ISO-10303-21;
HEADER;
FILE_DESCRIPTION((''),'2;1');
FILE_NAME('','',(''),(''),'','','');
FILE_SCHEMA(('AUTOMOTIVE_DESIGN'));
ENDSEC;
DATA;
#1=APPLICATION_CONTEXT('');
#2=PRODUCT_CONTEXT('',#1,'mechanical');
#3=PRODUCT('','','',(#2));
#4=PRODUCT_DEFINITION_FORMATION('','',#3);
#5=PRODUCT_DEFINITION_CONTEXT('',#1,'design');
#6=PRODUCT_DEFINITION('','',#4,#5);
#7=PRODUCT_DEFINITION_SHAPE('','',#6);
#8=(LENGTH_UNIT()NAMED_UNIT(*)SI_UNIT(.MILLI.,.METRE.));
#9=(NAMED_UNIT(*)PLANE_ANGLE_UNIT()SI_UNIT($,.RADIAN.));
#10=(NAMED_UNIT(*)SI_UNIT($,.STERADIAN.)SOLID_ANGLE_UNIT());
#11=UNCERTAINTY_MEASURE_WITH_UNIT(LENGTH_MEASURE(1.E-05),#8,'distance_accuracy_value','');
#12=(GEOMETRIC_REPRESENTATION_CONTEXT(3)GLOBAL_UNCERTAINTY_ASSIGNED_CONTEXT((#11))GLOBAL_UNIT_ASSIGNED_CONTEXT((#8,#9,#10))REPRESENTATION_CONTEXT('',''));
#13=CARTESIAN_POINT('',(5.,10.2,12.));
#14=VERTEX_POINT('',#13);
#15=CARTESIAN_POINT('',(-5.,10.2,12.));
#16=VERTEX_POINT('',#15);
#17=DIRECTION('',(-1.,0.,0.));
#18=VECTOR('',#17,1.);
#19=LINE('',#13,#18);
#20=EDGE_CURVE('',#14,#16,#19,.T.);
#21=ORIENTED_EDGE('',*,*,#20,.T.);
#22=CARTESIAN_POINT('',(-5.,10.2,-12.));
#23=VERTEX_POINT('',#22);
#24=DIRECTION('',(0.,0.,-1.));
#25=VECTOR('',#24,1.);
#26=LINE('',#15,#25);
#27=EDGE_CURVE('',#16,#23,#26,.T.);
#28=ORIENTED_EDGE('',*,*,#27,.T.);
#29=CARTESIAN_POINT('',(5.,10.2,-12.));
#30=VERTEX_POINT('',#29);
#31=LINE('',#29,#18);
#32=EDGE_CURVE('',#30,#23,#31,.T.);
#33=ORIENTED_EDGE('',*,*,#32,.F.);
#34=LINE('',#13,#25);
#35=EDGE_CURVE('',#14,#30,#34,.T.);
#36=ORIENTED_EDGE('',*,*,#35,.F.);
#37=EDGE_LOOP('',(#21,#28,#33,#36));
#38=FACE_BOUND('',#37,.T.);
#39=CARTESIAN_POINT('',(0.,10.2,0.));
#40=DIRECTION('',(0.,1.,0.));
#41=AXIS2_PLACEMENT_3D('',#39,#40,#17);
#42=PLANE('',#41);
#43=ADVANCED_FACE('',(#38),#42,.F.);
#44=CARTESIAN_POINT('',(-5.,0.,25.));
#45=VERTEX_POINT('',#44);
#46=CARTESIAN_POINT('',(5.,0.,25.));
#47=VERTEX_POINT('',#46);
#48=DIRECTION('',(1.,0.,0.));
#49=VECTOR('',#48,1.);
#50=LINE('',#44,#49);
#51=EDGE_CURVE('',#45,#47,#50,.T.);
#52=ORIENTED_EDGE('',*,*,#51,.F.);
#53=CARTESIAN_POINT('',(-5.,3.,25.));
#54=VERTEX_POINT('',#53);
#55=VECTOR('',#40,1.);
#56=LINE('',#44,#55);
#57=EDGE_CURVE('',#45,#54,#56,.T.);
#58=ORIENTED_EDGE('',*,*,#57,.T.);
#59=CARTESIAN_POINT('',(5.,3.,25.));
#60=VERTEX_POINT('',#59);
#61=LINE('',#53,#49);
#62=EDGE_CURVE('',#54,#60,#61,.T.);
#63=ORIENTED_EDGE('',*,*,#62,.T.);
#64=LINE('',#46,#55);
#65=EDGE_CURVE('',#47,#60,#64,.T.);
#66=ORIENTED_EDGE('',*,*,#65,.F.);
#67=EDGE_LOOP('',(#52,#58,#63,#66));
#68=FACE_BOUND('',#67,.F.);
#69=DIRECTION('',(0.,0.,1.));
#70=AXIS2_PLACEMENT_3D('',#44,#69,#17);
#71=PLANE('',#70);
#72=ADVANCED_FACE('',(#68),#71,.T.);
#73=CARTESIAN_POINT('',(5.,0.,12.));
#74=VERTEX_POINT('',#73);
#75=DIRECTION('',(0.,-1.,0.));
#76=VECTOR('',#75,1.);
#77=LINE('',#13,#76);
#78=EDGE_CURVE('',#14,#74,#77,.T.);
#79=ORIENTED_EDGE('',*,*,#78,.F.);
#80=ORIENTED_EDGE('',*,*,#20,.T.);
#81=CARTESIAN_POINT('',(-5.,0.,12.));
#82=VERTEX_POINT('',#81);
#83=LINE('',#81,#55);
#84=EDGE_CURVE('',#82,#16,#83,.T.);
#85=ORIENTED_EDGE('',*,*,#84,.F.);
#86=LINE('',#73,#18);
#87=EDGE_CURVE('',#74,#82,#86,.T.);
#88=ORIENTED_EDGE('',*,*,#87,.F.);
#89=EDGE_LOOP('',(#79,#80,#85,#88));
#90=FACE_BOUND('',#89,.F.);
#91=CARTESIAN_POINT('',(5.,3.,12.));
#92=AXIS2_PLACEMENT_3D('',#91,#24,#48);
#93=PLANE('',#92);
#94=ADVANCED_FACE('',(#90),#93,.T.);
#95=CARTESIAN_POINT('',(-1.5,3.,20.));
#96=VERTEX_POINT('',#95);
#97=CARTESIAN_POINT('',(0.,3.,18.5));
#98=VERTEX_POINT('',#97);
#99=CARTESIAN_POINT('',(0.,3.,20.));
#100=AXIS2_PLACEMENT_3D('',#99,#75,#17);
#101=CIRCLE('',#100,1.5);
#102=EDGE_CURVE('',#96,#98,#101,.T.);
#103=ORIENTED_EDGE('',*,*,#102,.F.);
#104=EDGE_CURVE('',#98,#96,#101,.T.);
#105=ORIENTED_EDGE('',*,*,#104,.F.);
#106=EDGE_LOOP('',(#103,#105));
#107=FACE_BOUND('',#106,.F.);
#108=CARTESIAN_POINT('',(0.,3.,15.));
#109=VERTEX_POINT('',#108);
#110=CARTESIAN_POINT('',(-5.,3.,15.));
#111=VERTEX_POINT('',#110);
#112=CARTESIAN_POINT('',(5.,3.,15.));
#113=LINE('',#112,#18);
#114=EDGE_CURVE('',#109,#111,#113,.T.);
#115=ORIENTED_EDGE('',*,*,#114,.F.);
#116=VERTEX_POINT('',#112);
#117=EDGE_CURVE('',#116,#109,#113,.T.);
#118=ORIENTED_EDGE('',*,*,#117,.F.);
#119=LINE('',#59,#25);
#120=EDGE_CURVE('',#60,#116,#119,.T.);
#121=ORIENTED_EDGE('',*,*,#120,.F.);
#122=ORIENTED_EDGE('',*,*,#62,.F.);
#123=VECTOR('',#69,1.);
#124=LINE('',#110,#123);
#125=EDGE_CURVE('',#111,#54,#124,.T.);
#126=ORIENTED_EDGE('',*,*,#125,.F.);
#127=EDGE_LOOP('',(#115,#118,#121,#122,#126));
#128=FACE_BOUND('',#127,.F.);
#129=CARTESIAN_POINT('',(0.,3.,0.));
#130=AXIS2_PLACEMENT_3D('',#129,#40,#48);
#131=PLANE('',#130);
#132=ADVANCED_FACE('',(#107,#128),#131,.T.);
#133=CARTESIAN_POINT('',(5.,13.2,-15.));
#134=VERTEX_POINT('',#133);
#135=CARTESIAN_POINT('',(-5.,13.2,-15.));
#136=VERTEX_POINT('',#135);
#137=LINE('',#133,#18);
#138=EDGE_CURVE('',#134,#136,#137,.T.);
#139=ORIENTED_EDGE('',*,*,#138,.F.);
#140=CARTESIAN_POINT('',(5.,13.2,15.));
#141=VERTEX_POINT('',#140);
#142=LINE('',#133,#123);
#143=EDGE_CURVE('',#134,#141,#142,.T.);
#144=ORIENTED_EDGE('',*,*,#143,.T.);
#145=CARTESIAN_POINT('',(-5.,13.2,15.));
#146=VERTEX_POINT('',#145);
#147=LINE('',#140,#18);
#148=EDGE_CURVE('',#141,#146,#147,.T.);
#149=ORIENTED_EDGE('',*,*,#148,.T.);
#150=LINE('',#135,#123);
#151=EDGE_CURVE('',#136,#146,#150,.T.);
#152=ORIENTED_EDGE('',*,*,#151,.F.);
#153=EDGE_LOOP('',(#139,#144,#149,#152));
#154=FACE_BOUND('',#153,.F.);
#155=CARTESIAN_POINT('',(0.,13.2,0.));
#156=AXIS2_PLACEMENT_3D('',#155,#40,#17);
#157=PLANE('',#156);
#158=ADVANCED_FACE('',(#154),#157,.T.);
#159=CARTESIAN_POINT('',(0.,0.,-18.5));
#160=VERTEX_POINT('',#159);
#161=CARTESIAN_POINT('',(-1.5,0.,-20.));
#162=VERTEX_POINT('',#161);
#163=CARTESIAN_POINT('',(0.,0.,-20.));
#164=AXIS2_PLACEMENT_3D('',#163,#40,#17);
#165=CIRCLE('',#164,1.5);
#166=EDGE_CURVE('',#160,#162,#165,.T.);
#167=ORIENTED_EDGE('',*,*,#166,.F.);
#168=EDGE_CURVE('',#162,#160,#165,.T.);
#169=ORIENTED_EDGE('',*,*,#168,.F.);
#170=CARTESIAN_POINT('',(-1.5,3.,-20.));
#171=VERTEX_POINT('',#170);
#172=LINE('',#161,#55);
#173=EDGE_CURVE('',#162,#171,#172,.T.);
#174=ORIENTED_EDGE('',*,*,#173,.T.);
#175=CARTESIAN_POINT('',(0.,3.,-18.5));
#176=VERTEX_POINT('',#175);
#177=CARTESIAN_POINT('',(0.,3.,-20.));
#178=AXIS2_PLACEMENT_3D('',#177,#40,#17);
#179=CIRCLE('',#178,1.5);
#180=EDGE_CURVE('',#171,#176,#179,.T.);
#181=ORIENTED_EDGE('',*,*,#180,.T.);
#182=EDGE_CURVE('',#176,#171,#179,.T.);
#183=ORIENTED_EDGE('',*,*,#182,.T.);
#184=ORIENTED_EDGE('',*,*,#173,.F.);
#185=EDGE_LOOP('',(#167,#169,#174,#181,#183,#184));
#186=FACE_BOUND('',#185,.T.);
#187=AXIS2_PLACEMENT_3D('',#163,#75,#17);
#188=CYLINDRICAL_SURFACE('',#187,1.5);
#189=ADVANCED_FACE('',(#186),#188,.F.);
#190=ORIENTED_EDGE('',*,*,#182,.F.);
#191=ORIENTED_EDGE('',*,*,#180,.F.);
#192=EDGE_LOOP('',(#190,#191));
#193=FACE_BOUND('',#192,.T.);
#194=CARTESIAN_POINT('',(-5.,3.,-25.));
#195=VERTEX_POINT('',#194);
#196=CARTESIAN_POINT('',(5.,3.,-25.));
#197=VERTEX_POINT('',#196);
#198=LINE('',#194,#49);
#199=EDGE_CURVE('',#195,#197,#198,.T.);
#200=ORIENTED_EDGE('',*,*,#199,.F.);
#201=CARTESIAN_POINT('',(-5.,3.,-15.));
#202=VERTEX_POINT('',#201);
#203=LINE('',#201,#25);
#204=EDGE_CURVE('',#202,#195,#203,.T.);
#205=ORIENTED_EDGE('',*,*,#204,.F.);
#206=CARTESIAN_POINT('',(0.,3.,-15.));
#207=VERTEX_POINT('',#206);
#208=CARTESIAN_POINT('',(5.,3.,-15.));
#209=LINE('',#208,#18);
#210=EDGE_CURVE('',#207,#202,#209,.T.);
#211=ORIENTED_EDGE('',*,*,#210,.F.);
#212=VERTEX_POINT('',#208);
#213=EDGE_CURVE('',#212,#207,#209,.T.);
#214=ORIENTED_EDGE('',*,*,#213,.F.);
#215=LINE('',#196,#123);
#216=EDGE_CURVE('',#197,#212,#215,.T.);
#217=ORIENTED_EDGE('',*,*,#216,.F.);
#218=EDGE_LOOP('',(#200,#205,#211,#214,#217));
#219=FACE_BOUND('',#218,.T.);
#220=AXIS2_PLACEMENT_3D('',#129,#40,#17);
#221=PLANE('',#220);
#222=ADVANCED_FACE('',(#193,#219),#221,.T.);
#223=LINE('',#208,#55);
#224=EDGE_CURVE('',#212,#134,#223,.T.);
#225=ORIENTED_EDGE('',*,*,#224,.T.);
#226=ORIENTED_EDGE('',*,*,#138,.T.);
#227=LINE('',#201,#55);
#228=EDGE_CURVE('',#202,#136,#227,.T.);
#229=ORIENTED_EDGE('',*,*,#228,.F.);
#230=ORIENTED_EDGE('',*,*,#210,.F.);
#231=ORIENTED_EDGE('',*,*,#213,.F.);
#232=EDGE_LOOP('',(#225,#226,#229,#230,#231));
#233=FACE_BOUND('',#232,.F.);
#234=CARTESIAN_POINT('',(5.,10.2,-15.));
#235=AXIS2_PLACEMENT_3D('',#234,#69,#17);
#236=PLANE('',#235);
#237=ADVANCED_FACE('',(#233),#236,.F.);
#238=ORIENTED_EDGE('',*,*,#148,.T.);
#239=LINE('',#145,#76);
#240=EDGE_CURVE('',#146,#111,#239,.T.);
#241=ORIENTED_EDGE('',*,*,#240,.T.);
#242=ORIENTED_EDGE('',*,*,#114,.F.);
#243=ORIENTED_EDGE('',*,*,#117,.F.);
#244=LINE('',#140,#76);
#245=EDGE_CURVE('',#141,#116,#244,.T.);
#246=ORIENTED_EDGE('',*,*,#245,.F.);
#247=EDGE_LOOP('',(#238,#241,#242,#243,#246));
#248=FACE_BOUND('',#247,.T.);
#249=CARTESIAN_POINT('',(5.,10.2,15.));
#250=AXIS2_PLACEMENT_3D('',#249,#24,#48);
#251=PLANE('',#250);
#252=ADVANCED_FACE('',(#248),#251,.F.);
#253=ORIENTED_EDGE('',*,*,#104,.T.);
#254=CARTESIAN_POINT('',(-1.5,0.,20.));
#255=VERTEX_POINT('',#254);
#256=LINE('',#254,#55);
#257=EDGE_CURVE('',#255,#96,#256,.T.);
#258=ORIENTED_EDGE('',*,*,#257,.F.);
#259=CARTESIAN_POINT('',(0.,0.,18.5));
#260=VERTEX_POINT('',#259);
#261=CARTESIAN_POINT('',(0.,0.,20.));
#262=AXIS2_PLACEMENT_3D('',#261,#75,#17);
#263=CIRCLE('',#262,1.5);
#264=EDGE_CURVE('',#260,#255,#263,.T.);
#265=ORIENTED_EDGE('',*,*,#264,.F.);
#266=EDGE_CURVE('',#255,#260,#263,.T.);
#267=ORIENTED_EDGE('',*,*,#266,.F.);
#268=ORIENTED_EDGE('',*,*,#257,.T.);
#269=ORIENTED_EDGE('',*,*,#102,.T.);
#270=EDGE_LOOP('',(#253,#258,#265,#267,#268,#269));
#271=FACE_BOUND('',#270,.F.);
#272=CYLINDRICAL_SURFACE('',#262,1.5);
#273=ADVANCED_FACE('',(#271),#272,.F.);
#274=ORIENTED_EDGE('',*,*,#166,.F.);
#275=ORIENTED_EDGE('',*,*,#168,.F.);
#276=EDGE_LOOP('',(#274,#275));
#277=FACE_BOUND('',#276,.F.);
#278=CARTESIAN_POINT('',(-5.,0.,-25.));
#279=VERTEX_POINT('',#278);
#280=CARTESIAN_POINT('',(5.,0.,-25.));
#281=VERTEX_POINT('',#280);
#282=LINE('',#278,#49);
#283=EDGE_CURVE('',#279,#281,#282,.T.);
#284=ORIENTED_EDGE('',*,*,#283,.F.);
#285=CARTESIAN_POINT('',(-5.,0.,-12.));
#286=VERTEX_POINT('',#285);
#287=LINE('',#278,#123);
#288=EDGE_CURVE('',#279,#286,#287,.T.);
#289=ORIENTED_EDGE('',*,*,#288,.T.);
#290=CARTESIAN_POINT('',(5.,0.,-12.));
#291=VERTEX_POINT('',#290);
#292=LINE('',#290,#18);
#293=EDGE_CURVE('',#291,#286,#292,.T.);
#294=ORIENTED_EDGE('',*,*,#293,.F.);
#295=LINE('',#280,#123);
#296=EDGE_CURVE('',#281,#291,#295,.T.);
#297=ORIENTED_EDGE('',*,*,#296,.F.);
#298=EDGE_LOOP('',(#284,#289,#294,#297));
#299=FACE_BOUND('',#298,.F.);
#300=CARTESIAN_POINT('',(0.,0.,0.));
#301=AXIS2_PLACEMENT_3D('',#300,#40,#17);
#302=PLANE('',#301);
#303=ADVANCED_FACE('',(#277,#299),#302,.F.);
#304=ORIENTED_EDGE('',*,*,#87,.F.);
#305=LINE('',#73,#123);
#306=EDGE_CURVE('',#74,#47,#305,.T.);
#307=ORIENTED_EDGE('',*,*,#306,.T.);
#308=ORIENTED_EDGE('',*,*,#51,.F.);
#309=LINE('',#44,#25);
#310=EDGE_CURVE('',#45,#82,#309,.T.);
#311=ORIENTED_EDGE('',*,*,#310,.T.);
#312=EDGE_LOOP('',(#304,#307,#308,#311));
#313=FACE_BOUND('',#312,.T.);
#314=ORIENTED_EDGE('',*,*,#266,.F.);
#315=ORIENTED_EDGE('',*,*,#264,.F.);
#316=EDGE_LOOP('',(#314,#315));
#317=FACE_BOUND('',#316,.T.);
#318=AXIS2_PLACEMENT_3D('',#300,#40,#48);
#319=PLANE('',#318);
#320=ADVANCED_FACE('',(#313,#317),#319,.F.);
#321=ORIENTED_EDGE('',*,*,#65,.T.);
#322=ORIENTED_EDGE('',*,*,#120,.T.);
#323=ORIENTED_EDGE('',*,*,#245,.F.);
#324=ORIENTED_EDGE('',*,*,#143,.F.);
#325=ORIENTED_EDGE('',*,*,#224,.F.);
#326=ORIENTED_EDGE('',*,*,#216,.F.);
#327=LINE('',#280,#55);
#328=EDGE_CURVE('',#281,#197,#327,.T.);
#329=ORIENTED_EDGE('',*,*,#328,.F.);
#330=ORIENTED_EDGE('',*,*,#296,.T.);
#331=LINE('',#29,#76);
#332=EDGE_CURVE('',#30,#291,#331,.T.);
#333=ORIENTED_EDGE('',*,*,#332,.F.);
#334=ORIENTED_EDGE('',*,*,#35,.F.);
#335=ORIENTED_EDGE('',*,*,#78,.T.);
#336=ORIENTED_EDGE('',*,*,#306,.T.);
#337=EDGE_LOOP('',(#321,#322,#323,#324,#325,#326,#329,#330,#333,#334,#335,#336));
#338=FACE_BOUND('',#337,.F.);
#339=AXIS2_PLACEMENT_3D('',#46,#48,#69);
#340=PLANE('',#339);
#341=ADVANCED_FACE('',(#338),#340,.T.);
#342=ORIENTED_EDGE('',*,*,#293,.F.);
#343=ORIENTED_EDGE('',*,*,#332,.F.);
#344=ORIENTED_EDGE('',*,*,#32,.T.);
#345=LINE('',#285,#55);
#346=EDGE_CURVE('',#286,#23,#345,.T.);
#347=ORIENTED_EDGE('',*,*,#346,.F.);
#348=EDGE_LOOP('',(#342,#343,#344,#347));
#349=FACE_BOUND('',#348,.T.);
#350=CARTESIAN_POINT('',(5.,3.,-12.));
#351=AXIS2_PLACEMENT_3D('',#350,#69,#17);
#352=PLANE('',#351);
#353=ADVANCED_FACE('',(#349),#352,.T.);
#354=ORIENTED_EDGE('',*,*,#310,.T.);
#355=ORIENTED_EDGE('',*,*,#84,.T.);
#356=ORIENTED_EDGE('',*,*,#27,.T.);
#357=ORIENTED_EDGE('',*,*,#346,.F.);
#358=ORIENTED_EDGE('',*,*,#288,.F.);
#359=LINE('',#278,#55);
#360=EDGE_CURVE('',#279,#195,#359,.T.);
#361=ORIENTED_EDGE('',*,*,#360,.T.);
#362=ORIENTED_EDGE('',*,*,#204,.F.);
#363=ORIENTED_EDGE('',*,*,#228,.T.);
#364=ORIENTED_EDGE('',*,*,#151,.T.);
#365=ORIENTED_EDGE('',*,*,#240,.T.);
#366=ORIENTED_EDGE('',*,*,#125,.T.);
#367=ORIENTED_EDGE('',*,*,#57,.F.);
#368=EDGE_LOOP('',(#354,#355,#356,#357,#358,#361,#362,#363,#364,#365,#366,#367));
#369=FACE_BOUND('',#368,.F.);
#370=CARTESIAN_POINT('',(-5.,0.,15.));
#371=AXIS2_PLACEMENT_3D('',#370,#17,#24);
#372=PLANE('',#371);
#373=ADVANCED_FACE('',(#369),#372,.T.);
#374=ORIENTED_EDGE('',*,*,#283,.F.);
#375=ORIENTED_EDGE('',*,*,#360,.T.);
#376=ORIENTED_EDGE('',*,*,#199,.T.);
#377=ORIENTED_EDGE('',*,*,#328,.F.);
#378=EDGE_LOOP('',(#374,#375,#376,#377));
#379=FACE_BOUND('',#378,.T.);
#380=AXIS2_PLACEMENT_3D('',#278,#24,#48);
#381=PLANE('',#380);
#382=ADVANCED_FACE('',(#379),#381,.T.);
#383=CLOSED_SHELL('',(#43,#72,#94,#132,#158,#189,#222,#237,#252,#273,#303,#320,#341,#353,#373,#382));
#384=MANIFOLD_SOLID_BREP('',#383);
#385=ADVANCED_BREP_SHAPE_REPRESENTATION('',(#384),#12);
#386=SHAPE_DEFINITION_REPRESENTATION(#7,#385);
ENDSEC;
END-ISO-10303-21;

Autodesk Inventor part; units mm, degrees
ref_plane "YZ Plane" through (0, 0, 0) normal (1, 0, 0) x (0, 1, 0)
ref_plane "XZ Plane" through (0, 0, 0) normal (0, 1, 0) x (-1, 0, 0)
ref_plane "XY Plane" through (0, 0, 0) normal (0, 0, 1) x (1, 0, 0)
sketch "Эскиз1" plane through (0, 0, 0) normal (0, 1, 0) x (-1, 0, 0)
  line L0 (0, 0) -> (0, -12)
  line L1 (0, -12) -> (0, -20)
  line L2 (-5, -15) -> (5, -15)
  line L3 (5, -15) -> (5, -25)
  line L4 (5, -25) -> (-5, -25)
  line L5 (-5, -25) -> (-5, -15)
  line L6 (-5, -15) -> (5, -25) construction
  line L7 (5, -15) -> (-5, -25) construction
  circle A0 centre (0, -20) radius 1.5
  dimension "d0" = 12
  dimension "d1" = 8
  dimension "d2" = 10
  dimension "d3" = 10
  dimension "d4" = 3
extrude "Выдавливание1" add sketch "Эскиз1" along normal blind 3
sketch "Эскиз2" plane through (0, 3, 0) normal (0, 1, 0) x (1, 0, 0)
  line L0 (-5, 15) -> (5, 15) projected
  line L1 (-5, 15) -> (5, 15)
  line L2 (5, 15) -> (5, 12)
  line L3 (5, 12) -> (-5, 12)
  line L4 (-5, 12) -> (-5, 15)
  point P0 (0, 0)
  dimension "d7" = 3
extrude "Выдавливание2" add sketch "Эскиз2" along normal blind 7.2 and the other way blind 3
sketch "Эскиз3" plane through (0, 10.2, 0) normal (0, 1, 0) x (1, 0, 0)
  line L0 (5, 15) -> (-5, 15) projected
  line L1 (5, 15) -> (-5, 15)
  line L2 (-5, 15) -> (-5, 0)
  line L3 (-5, 0) -> (5, 0)
  line L4 (5, 0) -> (5, 15)
  point P0 (0, 0)
  dimension "d12" = 10
extrude "Выдавливание3" add sketch "Эскиз3" along normal blind 3
mirror "Зеркальное отражение1" about plane through (0, 0, 0) normal (0, 0, 1) of "Выдавливание2", "Выдавливание3", "Выдавливание1"
properties part number "000.210 - Скоба"
